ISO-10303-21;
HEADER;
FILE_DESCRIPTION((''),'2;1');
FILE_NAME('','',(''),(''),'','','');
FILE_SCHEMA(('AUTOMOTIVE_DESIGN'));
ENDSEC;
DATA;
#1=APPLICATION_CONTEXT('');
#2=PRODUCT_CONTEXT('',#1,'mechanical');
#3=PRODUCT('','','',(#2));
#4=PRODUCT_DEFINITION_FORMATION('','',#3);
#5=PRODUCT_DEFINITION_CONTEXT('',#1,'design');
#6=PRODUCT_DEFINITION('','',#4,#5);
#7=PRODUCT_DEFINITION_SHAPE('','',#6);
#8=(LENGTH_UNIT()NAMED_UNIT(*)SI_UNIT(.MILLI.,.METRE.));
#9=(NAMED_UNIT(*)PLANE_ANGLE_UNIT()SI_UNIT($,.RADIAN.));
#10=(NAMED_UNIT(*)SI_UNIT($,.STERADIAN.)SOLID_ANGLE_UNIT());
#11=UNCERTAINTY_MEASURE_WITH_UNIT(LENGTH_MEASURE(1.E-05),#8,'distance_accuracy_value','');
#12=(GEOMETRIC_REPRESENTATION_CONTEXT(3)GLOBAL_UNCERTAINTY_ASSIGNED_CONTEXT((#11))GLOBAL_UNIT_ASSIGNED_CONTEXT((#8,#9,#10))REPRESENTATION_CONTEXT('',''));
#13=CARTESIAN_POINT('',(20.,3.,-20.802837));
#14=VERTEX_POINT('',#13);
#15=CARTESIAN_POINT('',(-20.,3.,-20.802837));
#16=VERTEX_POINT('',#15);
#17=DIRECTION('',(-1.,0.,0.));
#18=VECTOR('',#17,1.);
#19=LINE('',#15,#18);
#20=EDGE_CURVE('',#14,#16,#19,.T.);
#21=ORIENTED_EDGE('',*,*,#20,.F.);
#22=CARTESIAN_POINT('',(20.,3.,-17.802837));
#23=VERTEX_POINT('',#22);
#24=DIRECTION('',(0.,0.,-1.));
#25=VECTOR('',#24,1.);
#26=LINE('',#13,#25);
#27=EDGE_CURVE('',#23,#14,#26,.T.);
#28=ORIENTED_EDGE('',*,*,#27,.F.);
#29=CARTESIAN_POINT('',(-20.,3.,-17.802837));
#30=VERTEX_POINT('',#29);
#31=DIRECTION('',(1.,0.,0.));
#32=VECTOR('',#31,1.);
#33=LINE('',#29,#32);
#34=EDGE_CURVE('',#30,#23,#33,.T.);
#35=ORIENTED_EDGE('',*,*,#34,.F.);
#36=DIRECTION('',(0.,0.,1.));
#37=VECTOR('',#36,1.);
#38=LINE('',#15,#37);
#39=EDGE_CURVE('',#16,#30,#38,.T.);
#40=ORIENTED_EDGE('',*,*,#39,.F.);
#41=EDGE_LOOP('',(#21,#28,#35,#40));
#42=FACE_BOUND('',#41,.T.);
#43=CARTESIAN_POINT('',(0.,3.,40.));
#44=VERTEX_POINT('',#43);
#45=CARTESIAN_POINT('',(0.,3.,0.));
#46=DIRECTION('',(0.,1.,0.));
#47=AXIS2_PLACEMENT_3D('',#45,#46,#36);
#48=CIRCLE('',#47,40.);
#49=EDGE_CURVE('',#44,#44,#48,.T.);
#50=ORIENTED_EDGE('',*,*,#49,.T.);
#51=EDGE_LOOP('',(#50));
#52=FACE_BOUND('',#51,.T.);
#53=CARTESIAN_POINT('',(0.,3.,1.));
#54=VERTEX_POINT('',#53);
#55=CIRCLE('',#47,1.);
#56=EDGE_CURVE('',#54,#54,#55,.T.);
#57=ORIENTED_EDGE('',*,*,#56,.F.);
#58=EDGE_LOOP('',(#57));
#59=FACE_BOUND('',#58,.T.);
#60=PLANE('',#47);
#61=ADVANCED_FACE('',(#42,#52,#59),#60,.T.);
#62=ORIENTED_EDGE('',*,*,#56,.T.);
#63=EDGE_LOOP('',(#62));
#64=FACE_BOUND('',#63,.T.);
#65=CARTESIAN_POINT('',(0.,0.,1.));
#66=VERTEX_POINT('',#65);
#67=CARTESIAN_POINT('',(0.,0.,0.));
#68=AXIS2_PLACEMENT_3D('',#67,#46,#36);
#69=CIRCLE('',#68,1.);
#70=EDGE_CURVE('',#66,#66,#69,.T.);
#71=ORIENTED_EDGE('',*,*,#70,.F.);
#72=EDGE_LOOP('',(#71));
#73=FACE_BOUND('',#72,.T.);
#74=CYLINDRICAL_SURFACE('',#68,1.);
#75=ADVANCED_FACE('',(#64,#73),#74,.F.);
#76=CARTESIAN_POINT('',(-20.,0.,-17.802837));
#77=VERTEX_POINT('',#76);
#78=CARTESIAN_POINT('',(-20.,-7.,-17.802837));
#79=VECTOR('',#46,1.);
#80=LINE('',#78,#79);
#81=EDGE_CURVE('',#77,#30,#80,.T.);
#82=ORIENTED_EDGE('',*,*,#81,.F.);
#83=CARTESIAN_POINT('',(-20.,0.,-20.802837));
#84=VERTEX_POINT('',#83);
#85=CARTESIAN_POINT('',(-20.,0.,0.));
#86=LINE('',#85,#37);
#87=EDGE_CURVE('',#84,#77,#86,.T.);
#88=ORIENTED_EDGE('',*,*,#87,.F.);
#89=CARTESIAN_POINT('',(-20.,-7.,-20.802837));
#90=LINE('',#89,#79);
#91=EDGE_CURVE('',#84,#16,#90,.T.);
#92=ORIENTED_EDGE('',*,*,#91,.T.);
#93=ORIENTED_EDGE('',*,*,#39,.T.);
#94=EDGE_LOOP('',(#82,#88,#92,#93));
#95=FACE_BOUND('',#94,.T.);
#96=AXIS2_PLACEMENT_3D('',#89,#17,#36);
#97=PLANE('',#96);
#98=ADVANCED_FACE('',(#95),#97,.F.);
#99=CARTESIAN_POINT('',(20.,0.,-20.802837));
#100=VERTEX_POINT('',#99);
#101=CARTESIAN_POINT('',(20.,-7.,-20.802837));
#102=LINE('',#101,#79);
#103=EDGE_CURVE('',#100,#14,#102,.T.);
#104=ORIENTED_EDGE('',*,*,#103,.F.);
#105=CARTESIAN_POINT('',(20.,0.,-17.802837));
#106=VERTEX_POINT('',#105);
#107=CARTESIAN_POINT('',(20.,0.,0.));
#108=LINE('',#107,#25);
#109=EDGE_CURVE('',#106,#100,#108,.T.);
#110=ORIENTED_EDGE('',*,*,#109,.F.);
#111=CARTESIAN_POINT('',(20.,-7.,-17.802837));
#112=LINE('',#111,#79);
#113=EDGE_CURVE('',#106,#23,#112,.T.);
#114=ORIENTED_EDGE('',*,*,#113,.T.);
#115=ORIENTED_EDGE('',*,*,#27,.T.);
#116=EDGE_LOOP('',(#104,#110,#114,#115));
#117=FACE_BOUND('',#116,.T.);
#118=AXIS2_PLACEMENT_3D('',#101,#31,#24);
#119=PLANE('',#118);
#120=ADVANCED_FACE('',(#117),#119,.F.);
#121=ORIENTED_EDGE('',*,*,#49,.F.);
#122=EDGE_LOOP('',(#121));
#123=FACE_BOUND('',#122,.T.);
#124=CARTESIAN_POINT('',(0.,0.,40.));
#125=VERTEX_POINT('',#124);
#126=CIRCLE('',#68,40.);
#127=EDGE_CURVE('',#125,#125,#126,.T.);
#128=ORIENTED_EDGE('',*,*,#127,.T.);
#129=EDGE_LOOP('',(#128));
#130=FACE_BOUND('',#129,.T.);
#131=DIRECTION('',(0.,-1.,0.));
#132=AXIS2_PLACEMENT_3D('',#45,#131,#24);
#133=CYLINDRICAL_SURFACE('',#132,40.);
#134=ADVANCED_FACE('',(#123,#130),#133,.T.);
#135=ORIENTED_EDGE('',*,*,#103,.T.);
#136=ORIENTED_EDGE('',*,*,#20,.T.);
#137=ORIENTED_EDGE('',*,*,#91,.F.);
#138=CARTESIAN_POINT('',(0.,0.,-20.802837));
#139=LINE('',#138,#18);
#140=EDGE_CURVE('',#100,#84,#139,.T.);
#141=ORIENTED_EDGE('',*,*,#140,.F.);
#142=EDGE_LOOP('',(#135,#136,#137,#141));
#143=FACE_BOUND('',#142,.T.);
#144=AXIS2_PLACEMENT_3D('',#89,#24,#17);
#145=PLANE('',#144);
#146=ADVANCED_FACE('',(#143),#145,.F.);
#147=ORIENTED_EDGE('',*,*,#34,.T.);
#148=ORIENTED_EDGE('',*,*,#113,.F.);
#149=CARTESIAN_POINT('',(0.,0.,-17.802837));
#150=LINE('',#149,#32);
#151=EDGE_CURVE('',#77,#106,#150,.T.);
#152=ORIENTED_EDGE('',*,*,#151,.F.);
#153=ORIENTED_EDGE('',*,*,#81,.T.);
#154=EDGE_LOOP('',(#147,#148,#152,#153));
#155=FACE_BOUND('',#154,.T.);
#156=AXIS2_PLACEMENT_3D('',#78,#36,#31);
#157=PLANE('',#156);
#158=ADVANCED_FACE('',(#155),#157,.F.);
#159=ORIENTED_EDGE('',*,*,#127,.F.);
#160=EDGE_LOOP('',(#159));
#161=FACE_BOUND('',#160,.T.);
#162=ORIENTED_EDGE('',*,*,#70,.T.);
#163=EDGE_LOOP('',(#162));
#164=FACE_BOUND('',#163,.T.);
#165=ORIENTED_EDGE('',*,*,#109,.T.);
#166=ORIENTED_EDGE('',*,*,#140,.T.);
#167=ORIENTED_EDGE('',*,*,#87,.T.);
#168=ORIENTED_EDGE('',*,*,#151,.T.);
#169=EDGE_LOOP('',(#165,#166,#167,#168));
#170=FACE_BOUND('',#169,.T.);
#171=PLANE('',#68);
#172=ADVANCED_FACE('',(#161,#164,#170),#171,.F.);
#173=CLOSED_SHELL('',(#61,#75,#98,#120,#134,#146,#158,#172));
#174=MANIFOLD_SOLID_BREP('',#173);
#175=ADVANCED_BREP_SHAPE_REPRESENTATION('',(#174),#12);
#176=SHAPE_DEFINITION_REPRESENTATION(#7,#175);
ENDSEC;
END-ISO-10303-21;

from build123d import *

# Parameters (mm, degrees)
SKETCH1_R           = 40
BOSS_EXTRUDE1_DEPTH = 3
SKETCH2_R           = 1
CUT_EXTRUDE1_DEPTH  = 3
SKETCH3_W           = 40
SKETCH3_H           = 3
CUT_EXTRUDE2_DEPTH  = 10


with BuildPart() as part:
    # Sketch1 → Boss-Extrude1 (new body)
    with BuildSketch(Plane(origin=(0, 0, 0), x_dir=(1, 0, 0), z_dir=(0, 1, 0))):
        with Locations(Location((0, 0, 0), (0, 0, 270))):
            Circle(SKETCH1_R)
    extrude(amount=BOSS_EXTRUDE1_DEPTH)

    # Sketch2 → Cut-Extrude1 (cut)
    with BuildSketch(Plane(origin=(0, 3, 0), x_dir=(1, 0, 0), z_dir=(0, 1, 0))):
        with Locations(Location((0, 0, 0), (0, 0, 270))):
            Circle(SKETCH2_R)
    extrude(amount=-CUT_EXTRUDE1_DEPTH, mode=Mode.SUBTRACT)

    # Sketch3 → Cut-Extrude2 (cut)
    with BuildSketch(Plane(origin=(0, 3, 0), x_dir=(1, 0, 0), z_dir=(0, 1, 0))):
        with Locations((0, 19.302837328)):
            Rectangle(SKETCH3_W, SKETCH3_H)
    extrude(amount=-CUT_EXTRUDE2_DEPTH, mode=Mode.SUBTRACT)


solid = part.part
